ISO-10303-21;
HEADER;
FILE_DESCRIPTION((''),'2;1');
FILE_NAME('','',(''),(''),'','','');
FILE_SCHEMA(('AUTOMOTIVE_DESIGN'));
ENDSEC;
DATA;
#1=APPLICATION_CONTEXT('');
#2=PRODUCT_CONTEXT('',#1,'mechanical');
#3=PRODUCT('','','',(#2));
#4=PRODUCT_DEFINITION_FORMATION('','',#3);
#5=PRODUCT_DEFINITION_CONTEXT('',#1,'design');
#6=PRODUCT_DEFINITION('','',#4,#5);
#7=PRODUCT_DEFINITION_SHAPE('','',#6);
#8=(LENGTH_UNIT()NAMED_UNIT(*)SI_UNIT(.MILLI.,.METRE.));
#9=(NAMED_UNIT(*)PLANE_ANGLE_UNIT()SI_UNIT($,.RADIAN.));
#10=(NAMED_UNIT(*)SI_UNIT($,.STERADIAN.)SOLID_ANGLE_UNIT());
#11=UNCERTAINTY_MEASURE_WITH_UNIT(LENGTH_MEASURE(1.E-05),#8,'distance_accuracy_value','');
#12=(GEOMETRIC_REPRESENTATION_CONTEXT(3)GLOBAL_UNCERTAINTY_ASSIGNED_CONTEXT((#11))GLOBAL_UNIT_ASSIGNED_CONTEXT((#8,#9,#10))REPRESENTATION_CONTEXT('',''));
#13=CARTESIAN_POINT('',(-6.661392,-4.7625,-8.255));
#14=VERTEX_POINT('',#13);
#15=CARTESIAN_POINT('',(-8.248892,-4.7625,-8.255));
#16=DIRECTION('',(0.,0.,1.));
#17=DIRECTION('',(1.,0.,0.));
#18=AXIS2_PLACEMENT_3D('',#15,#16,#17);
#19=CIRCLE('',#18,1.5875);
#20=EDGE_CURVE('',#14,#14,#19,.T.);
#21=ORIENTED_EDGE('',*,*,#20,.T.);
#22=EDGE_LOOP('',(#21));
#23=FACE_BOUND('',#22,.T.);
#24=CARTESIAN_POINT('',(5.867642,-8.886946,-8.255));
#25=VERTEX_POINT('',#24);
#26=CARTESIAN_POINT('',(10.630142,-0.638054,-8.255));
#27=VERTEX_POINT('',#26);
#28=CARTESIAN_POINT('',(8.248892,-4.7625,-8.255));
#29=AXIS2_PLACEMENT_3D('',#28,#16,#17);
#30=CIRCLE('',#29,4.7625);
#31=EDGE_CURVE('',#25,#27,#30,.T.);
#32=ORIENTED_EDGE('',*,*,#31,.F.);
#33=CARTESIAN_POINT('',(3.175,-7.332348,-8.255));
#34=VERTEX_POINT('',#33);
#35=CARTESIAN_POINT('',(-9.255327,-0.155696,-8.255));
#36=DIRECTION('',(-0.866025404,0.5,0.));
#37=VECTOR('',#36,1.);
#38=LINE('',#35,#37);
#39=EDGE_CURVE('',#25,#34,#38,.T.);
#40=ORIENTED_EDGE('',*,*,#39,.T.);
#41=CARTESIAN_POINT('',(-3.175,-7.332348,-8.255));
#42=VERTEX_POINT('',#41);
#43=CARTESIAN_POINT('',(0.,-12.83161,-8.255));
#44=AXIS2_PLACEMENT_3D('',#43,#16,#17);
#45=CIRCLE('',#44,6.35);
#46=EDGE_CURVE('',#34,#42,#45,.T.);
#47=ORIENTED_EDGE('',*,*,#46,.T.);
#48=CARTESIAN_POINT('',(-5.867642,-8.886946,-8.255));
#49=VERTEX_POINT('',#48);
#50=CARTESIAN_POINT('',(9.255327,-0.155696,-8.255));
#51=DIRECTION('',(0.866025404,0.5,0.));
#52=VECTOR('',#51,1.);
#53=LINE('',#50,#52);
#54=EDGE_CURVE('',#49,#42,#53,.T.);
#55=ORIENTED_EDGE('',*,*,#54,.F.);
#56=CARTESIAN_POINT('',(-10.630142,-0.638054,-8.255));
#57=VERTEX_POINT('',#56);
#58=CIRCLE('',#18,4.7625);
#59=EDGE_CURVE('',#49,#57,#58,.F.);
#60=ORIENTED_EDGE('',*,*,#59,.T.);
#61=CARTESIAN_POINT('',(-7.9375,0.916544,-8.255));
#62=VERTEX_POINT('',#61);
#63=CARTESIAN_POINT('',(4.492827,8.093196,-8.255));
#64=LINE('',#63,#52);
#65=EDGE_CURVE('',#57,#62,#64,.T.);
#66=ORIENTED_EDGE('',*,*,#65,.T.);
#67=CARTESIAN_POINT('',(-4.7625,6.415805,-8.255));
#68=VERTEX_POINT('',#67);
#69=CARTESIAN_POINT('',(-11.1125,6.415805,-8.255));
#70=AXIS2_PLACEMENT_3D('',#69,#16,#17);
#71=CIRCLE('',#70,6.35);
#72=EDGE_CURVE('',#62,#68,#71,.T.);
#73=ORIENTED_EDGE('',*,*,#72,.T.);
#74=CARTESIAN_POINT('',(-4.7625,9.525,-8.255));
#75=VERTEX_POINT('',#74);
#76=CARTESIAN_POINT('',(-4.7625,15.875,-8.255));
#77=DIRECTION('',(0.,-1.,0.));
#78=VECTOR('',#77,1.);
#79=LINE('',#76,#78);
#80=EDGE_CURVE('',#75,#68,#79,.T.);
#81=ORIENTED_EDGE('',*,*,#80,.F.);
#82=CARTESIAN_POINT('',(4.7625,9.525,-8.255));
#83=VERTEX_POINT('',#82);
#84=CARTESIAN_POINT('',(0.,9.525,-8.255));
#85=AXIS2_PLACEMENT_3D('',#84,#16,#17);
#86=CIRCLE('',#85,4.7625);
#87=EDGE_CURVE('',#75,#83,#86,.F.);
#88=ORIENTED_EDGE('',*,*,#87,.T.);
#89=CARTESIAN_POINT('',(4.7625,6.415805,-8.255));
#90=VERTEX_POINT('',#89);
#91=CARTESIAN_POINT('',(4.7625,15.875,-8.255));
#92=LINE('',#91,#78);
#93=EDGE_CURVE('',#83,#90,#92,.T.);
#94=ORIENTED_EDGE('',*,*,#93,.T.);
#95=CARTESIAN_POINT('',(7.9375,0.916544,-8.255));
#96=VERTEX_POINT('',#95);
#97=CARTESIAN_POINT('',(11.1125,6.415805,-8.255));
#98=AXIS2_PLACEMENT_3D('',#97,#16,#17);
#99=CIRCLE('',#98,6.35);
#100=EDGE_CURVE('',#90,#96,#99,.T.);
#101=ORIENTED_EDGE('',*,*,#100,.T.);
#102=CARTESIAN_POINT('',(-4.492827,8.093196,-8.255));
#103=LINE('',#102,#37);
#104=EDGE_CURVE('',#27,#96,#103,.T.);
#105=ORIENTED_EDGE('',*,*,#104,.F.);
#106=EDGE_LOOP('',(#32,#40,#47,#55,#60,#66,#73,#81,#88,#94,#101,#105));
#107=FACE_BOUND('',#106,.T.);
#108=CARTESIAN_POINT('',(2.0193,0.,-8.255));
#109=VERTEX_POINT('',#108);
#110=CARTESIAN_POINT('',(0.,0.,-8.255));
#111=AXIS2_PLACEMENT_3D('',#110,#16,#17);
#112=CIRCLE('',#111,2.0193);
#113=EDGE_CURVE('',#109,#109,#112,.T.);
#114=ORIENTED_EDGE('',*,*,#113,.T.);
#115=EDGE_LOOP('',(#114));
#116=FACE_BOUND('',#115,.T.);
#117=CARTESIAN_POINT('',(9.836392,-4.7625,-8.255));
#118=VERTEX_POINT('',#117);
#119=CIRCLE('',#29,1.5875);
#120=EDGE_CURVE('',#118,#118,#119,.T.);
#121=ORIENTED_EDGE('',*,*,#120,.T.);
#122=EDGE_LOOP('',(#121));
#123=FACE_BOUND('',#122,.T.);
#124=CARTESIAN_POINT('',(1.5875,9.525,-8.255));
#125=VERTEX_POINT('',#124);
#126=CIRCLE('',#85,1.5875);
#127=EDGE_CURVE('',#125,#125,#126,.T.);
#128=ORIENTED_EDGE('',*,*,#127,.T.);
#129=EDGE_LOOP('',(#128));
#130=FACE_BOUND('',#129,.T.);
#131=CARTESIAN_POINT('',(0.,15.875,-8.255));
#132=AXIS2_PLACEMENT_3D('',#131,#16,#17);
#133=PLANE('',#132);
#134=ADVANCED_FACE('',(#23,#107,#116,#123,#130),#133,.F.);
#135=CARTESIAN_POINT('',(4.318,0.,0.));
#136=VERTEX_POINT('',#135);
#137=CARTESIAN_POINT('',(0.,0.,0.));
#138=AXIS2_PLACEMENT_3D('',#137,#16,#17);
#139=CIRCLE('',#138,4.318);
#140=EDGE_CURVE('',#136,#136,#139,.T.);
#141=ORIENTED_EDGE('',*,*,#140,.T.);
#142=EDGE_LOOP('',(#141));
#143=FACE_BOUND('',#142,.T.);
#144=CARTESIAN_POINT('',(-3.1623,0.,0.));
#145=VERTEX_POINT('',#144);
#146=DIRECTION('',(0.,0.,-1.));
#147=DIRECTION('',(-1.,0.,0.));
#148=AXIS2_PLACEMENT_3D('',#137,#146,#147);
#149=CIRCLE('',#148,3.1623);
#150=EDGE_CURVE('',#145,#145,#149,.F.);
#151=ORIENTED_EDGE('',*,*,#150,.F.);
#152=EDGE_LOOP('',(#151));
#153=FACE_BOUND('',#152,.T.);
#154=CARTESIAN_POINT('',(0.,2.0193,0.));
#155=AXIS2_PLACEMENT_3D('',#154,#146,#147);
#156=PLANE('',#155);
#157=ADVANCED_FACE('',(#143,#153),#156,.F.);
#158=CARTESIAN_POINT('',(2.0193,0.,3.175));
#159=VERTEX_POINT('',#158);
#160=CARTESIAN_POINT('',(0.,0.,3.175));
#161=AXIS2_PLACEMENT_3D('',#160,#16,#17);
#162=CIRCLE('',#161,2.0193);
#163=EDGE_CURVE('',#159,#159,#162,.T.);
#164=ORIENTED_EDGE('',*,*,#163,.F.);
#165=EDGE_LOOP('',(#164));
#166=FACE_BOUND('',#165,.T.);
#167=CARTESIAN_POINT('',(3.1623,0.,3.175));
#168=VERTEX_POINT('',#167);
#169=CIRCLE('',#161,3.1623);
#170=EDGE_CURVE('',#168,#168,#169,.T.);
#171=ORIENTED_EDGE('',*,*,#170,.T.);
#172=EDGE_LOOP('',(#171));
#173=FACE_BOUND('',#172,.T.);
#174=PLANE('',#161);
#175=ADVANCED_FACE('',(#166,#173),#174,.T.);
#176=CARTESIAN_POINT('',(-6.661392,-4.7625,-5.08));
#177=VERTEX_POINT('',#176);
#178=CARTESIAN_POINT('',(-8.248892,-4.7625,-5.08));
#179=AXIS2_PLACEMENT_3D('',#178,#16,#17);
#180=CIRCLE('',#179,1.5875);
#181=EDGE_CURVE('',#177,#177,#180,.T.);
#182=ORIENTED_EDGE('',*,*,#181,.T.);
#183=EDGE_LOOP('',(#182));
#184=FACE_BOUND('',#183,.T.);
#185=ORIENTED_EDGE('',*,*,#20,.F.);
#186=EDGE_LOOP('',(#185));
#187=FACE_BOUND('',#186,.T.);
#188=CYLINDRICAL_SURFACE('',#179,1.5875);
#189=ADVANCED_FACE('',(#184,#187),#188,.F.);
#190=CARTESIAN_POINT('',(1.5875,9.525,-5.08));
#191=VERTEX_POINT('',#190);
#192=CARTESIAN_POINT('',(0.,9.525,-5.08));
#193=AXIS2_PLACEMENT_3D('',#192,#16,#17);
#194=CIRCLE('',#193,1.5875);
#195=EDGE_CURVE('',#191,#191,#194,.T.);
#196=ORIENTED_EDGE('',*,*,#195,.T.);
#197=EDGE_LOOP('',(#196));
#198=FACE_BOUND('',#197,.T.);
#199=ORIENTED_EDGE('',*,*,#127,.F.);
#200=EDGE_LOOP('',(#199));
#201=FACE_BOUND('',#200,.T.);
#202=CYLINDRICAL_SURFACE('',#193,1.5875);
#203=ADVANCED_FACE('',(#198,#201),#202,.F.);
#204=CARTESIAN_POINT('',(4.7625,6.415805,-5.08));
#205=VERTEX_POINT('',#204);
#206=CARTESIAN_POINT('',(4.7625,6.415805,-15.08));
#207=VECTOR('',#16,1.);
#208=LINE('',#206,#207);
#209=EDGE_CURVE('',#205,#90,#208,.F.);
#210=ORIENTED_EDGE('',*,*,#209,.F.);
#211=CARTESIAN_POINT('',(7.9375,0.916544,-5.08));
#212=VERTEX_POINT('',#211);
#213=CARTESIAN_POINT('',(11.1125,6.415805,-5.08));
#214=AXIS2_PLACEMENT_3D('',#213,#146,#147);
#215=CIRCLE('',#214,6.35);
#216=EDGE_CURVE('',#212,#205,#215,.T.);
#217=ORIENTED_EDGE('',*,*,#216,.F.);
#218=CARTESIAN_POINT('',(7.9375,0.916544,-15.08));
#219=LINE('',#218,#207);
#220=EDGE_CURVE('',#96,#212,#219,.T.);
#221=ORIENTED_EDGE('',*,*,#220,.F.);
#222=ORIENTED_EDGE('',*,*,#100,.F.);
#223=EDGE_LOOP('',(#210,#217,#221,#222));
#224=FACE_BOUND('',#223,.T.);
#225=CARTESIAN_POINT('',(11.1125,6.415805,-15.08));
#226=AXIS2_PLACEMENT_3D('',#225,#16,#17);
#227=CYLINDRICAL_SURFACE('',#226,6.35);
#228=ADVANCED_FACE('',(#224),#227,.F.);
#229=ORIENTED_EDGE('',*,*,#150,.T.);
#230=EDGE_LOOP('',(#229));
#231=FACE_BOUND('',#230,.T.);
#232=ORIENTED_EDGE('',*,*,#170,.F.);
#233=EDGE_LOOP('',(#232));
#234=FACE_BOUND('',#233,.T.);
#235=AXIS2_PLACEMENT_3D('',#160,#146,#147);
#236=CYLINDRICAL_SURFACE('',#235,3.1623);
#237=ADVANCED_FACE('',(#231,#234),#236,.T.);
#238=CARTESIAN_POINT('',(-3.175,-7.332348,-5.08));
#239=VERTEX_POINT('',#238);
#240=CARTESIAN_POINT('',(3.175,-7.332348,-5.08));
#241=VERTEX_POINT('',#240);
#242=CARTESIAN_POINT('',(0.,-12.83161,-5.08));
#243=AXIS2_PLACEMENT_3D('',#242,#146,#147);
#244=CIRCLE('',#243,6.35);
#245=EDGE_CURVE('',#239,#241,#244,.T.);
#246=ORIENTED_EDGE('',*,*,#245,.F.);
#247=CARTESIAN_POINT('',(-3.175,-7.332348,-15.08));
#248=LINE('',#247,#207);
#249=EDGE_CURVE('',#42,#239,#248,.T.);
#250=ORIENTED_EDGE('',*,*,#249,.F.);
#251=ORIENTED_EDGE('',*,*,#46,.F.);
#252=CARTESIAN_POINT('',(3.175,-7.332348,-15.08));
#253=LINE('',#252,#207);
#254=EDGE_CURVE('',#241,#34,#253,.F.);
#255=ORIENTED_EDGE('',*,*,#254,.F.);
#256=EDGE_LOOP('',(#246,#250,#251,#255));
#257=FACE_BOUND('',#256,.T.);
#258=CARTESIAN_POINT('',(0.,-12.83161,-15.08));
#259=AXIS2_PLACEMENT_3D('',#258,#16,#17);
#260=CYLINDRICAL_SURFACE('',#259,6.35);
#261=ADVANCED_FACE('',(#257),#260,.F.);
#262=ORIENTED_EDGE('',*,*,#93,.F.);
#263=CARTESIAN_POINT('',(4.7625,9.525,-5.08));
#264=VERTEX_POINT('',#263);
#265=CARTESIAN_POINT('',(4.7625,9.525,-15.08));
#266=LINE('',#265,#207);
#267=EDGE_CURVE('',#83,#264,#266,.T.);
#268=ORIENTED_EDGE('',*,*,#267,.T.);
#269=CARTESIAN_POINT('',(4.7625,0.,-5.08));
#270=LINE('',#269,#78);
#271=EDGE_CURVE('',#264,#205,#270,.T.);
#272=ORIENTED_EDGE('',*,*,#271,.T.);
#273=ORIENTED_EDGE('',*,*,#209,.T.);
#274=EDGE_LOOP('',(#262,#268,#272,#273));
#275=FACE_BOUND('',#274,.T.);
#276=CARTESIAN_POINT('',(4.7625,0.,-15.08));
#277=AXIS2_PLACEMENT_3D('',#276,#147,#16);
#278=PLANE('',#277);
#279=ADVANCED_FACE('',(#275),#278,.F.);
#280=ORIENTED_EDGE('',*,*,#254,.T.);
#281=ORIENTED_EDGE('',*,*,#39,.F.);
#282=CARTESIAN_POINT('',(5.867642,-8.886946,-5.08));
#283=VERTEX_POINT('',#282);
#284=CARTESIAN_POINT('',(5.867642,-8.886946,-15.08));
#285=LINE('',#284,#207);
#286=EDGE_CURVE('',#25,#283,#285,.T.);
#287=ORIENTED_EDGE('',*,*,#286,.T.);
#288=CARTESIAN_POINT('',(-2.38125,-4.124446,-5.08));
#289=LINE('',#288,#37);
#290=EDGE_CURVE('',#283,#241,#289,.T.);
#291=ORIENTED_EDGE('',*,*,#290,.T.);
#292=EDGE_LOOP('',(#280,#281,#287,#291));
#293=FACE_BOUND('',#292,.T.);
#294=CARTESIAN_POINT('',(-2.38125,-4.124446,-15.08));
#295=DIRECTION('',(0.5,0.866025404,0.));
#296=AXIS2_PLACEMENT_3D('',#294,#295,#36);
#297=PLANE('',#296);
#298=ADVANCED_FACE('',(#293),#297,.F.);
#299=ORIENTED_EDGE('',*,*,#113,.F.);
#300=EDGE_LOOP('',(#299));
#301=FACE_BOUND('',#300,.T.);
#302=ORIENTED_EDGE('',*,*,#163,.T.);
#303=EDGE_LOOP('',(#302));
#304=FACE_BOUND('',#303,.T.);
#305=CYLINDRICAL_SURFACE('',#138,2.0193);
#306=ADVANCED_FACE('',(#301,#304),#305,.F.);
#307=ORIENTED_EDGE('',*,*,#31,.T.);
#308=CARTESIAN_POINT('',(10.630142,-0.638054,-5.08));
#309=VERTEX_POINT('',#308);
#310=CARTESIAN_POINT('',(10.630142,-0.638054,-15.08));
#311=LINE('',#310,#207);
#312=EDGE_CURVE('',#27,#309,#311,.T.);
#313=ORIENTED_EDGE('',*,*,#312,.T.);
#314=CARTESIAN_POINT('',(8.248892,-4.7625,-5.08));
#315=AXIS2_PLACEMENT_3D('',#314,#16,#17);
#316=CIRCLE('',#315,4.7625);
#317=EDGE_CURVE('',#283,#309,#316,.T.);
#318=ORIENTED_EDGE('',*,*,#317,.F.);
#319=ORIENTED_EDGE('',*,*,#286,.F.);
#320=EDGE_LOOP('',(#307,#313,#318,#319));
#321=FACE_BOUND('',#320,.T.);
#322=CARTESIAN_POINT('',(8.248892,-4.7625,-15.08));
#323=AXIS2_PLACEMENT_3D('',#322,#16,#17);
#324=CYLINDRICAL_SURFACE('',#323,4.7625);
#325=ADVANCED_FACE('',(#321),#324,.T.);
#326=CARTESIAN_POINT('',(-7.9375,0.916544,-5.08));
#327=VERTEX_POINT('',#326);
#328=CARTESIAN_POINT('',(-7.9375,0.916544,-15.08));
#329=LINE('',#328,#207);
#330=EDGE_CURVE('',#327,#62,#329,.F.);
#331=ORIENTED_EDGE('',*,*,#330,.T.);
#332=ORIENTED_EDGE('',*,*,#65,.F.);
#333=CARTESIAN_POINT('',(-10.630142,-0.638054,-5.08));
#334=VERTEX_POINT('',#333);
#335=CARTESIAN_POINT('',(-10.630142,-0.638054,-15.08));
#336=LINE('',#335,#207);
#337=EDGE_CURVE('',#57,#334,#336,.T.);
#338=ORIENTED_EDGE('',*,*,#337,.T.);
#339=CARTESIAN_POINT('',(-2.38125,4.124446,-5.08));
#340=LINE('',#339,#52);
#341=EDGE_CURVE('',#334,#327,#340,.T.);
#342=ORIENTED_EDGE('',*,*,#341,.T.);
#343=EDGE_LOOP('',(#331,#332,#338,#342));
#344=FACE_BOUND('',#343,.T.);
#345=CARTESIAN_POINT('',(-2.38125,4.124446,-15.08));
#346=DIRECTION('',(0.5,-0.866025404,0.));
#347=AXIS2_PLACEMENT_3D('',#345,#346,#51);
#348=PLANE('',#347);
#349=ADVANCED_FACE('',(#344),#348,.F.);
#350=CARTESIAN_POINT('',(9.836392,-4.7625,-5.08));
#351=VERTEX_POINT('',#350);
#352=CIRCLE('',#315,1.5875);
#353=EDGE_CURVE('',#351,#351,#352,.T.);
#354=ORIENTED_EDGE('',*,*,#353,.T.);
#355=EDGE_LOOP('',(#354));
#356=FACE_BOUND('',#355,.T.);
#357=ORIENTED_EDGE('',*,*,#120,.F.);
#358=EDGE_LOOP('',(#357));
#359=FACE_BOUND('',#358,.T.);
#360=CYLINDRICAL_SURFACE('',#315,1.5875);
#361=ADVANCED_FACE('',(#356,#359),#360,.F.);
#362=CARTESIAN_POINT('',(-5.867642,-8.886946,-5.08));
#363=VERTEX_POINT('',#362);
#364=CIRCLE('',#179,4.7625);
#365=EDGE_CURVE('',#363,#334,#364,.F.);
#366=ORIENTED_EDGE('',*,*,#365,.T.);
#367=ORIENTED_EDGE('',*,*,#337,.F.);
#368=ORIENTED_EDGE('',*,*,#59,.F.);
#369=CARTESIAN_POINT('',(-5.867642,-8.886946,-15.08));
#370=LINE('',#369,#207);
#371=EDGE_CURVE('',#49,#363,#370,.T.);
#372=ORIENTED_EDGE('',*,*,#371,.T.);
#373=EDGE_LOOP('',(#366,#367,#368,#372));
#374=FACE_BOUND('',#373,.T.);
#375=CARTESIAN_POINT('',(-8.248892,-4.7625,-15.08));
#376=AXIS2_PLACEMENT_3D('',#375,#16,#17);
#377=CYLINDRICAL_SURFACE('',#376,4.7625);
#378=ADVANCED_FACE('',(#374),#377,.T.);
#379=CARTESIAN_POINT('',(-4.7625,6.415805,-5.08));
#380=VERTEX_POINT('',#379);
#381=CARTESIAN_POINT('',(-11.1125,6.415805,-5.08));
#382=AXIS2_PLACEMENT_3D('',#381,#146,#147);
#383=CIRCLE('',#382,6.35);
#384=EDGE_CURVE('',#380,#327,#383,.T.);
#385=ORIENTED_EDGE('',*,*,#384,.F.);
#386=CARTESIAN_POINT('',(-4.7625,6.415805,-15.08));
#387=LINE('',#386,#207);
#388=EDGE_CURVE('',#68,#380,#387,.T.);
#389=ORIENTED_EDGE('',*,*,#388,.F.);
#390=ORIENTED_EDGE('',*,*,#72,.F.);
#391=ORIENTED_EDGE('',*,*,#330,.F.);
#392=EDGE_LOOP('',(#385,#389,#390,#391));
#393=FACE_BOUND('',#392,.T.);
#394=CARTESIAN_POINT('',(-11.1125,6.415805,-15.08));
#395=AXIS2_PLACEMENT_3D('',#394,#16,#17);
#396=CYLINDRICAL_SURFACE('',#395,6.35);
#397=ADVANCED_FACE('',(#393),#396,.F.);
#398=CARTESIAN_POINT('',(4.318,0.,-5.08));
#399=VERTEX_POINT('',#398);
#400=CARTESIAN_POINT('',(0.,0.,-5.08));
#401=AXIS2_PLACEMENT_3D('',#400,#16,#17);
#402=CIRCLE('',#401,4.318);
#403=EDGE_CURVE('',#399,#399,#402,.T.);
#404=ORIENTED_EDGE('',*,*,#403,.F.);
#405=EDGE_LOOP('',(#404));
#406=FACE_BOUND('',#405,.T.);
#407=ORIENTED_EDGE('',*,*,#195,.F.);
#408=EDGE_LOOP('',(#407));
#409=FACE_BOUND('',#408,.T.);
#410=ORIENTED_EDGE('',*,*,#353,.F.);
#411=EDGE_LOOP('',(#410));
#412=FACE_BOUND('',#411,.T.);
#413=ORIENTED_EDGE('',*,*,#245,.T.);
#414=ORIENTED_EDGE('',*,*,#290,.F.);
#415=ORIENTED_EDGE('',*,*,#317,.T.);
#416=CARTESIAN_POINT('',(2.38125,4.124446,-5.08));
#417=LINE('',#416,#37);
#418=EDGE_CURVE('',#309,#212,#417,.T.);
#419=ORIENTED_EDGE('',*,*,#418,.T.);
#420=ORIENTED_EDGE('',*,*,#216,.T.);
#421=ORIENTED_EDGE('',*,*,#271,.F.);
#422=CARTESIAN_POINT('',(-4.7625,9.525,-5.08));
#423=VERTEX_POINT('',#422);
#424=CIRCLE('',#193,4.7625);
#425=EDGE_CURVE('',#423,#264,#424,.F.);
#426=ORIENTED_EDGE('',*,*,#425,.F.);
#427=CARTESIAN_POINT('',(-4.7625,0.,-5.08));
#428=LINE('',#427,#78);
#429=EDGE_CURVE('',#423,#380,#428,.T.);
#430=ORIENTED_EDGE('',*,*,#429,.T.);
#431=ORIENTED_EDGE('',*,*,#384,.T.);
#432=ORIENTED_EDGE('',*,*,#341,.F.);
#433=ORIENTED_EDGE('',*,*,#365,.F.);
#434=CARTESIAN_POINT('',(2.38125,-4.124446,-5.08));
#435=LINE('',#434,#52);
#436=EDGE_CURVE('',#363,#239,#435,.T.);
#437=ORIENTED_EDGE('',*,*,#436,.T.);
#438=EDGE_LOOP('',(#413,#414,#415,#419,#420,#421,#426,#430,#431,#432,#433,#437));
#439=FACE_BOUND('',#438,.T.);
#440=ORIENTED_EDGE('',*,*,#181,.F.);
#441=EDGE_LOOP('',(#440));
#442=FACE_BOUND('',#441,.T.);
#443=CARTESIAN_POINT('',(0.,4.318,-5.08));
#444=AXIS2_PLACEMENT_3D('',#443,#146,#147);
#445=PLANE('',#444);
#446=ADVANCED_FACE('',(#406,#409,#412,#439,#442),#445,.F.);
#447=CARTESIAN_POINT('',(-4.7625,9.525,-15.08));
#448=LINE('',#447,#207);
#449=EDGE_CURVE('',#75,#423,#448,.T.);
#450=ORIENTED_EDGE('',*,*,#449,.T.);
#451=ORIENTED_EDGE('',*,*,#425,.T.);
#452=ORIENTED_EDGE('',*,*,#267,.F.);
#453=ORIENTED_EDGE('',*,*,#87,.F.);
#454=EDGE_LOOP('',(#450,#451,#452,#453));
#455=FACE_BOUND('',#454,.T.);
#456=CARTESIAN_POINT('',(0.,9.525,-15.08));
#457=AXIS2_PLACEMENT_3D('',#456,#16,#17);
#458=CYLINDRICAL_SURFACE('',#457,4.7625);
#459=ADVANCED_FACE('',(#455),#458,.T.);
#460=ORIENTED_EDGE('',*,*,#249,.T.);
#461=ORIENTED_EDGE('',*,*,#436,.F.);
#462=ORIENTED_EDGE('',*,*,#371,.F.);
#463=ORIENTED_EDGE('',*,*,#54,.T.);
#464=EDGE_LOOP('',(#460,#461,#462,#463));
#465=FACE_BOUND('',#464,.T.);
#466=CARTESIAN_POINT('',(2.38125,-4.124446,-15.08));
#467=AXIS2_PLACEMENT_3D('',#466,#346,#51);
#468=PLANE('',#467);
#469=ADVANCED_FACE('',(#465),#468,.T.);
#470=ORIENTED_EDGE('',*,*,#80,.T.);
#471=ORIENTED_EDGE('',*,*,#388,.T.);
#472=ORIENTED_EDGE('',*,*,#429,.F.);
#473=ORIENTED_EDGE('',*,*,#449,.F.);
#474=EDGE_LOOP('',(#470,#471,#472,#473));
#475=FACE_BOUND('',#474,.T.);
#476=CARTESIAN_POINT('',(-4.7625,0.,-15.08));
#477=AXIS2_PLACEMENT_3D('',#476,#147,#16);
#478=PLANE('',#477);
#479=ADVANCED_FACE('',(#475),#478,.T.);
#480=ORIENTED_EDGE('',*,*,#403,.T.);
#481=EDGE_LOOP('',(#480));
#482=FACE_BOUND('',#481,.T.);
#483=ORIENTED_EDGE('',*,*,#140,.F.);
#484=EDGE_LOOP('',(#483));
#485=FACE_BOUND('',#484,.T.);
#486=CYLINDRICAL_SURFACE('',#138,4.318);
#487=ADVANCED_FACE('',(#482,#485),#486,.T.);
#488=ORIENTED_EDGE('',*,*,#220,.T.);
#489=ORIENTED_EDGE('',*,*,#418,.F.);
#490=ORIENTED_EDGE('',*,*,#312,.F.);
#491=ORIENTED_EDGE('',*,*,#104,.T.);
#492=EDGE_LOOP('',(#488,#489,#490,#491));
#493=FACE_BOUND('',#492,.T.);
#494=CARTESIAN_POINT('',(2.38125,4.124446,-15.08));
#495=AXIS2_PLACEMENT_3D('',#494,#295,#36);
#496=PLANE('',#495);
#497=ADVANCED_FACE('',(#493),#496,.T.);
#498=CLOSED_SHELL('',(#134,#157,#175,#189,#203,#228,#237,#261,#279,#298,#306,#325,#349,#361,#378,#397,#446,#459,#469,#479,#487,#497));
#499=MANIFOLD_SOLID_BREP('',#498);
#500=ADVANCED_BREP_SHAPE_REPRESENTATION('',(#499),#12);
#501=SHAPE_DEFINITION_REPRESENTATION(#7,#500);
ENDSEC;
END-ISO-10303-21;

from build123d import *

# Parameters (mm, degrees)
F_1_8_0_1250_DOWEL_HOLE1_D = 3.175
CIRPATTERN2_COUNT          = 3
CUT_EXTRUDE1_START         = -10
SKETCH7_R                  = 15.875
CUT_EXTRUDE1_DEPTH         = 10
FILLET1_R                  = 6.35
BOSS_EXTRUDE1_START        = 3.175
SKETCH11_R                 = 3.1623
SKETCH11_R_2               = 2.0193
BOSS_EXTRUDE1_DEPTH        = 3.175


with BuildPart() as part:
    # Sketch1 → Revolve1 (revolve)
    with BuildSketch(Plane(origin=(0, 0, 0), x_dir=(0, 0, -1), z_dir=(1, 0, 0)), mode=Mode.PRIVATE) as revolve1_sk:
        Polygon((0, 2.0193), (0, 4.318), (5.08, 4.318), (5.08, 15.875), (8.255, 15.875), (8.255, 2.0193), align=None)
    revolve(revolve1_sk.sketch.rotate(Axis((0, 0, 0), (0, 0, -1)), 90), axis=Axis((0, 0, 0), (0, 0, -1)))

    # 1/8 (0.1250) Dowel Hole1 (through all)
    with Locations(Plane.XY.offset(-5.08)):
        with Locations((0, 9.525), (0, 0)):
            f_1_8_0_1250_dowel_hole1 = Hole(F_1_8_0_1250_DOWEL_HOLE1_D / 2)

    # CirPattern2: 1/8 (0.1250) Dowel Hole1 ×3 about axis
    cirpattern2_axis = Axis((0, 0, 0), (0, 0, 1))
    for i in range(1, CIRPATTERN2_COUNT):
        add(f_1_8_0_1250_dowel_hole1.rotate(cirpattern2_axis, i * 360 / CIRPATTERN2_COUNT), mode=Mode.SUBTRACT)

    # Sketch7 → Cut-Extrude1 (cut)
    with BuildSketch(Plane.XY.offset(-5.08).offset(CUT_EXTRUDE1_START)):
        Circle(SKETCH7_R)
        with BuildLine():
            ThreePointArc((-4.7625, 9.525), (0, 14.2875), (4.7625, 9.525))
            Line((4.7625, 9.525), (4.7625, 2.749630657))
            Line((4.7625, 2.749630657), (10.630141971, -0.638054014))
            ThreePointArc((10.630141971, -0.638054014), (12.373337957, -7.14375), (5.867641971, -8.886945986))
            Line((5.867641971, -8.886945986), (0, -5.499261314))
            Line((0, -5.499261314), (-5.867641971, -8.886945986))
            ThreePointArc((-5.867641971, -8.886945986), (-12.373337957, -7.14375), (-10.630141971, -0.638054014))
            Line((-10.630141971, -0.638054014), (-4.7625, 2.749630657))
            Line((-4.7625, 2.749630657), (-4.7625, 9.525))
        make_face(mode=Mode.SUBTRACT)
    extrude(amount=CUT_EXTRUDE1_DEPTH, mode=Mode.SUBTRACT)

    # Fillet1
    fillet1_edges = [part.edges().sort_by_distance(p)[0] for p in [
        (0, -5.499261314, -6.6675),
        (4.7625, 2.749630657, -6.6675),
        (-4.7625, 2.749630657, -6.6675),
    ]]
    fillet(fillet1_edges, radius=FILLET1_R)

    # Sketch11 → Boss-Extrude1 (add)
    with BuildSketch(Plane.XY.offset(BOSS_EXTRUDE1_START)):
        with Locations(Location((0, 0, 0), (0, 0, 180))):
            Circle(SKETCH11_R)
        Circle(SKETCH11_R_2, mode=Mode.SUBTRACT)
    extrude(amount=-BOSS_EXTRUDE1_DEPTH)


solid = part.part
